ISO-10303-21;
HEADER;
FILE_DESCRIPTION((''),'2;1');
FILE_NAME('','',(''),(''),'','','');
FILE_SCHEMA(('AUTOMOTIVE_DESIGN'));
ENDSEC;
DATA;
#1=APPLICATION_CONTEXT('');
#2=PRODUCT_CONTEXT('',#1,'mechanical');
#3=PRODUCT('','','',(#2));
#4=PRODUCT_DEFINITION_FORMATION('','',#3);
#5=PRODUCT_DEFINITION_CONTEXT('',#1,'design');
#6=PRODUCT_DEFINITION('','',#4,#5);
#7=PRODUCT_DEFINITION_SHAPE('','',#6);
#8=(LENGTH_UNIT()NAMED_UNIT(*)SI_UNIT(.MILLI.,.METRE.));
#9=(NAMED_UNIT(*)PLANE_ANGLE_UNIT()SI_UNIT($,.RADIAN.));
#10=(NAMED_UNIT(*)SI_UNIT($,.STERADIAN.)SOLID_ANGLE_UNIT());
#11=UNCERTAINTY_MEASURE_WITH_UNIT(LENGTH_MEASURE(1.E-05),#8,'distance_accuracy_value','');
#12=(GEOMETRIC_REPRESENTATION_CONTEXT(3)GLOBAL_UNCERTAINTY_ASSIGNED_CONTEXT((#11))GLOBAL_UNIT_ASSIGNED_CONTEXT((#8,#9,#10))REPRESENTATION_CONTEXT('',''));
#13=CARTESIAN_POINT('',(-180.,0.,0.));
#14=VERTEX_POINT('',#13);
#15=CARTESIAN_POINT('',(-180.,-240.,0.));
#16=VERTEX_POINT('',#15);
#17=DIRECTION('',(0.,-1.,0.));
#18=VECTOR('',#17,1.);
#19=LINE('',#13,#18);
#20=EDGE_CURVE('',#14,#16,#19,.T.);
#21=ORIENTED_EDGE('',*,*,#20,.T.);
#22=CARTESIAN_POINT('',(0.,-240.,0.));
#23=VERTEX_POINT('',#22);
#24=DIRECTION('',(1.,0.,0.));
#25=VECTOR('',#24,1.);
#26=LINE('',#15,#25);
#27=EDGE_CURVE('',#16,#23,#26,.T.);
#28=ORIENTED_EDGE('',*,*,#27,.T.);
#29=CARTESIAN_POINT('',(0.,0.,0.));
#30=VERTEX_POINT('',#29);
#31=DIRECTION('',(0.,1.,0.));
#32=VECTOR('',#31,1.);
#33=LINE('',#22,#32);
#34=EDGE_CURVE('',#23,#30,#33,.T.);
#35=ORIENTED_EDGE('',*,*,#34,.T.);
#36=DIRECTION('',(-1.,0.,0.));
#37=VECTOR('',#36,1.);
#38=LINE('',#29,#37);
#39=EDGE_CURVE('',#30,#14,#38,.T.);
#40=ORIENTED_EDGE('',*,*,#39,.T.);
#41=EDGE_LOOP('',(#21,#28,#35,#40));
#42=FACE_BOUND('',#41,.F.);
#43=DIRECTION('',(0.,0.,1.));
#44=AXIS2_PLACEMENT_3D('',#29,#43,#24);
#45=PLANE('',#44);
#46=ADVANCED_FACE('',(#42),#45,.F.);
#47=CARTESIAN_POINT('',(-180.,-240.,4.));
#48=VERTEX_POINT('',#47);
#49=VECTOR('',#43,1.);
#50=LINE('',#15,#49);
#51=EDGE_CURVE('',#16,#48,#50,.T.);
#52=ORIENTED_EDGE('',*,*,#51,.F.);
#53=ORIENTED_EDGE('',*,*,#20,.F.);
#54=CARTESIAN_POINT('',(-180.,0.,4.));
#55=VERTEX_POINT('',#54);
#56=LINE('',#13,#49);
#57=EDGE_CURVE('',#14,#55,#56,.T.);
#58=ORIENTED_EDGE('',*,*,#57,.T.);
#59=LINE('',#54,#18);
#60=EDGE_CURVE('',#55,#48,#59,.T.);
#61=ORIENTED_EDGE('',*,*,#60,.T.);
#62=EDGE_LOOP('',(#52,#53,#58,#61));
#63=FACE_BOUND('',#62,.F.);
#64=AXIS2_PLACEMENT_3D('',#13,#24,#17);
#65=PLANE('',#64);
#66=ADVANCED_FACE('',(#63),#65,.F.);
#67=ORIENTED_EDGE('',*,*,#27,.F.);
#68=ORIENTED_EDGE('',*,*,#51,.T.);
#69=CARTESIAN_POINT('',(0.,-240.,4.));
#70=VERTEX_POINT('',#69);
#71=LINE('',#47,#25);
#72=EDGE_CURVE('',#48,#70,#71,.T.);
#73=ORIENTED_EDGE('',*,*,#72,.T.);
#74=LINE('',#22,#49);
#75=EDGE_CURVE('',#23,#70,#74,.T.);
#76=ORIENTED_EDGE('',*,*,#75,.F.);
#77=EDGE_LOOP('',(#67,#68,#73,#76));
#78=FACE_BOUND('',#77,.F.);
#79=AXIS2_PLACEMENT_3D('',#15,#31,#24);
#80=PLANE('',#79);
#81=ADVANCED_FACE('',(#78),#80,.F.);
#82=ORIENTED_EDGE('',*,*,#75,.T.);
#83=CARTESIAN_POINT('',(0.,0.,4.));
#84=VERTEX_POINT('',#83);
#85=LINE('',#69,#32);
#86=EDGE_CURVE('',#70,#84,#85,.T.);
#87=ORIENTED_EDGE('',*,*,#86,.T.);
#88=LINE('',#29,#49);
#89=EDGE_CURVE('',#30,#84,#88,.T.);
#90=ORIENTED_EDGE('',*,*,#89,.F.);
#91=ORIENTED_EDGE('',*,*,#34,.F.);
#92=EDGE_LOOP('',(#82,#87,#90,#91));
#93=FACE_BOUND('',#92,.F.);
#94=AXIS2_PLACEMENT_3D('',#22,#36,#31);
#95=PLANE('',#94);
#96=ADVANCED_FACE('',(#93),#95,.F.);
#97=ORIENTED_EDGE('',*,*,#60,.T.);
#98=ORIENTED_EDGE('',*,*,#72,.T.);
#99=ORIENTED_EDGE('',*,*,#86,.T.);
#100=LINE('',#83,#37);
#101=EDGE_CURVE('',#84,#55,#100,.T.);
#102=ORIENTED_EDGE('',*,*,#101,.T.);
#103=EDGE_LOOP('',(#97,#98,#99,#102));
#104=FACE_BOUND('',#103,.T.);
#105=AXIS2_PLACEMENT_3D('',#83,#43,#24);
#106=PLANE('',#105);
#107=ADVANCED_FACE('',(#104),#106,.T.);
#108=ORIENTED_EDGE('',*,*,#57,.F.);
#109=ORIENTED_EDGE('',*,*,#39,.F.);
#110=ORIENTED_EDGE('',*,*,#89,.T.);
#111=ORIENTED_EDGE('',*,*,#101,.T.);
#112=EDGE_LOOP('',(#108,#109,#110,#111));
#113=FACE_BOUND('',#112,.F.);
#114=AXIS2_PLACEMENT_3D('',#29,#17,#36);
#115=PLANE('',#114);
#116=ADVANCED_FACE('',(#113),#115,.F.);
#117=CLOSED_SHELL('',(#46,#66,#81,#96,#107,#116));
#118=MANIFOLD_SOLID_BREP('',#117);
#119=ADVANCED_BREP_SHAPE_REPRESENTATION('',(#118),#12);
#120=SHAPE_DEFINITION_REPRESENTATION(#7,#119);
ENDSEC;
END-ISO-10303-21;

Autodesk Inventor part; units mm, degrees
ref_plane "YZ Plane" through (0, 0, 0) normal (1, 0, 0) x (0, 1, 0)
ref_plane "XZ Plane" through (0, 0, 0) normal (0, 1, 0) x (-1, 0, 0)
ref_plane "XY Plane" through (0, 0, 0) normal (0, 0, 1) x (1, 0, 0)
sketch "Skizze1" plane through (0, 0, 0) normal (0, 0, 1) x (1, 0, 0)
  line L0 (0, 0) -> (-180, 0)
  line L1 (-180, 0) -> (-180, -240)
  line L2 (-180, -240) -> (0, -240)
  line L3 (0, -240) -> (0, 0)
  dimension "d0" = 180
  dimension "d1" = 240
extrude "Extrusion1" add sketch "Skizze1" along normal blind 4
properties part number "Seitenplatte" material "Pappel"
